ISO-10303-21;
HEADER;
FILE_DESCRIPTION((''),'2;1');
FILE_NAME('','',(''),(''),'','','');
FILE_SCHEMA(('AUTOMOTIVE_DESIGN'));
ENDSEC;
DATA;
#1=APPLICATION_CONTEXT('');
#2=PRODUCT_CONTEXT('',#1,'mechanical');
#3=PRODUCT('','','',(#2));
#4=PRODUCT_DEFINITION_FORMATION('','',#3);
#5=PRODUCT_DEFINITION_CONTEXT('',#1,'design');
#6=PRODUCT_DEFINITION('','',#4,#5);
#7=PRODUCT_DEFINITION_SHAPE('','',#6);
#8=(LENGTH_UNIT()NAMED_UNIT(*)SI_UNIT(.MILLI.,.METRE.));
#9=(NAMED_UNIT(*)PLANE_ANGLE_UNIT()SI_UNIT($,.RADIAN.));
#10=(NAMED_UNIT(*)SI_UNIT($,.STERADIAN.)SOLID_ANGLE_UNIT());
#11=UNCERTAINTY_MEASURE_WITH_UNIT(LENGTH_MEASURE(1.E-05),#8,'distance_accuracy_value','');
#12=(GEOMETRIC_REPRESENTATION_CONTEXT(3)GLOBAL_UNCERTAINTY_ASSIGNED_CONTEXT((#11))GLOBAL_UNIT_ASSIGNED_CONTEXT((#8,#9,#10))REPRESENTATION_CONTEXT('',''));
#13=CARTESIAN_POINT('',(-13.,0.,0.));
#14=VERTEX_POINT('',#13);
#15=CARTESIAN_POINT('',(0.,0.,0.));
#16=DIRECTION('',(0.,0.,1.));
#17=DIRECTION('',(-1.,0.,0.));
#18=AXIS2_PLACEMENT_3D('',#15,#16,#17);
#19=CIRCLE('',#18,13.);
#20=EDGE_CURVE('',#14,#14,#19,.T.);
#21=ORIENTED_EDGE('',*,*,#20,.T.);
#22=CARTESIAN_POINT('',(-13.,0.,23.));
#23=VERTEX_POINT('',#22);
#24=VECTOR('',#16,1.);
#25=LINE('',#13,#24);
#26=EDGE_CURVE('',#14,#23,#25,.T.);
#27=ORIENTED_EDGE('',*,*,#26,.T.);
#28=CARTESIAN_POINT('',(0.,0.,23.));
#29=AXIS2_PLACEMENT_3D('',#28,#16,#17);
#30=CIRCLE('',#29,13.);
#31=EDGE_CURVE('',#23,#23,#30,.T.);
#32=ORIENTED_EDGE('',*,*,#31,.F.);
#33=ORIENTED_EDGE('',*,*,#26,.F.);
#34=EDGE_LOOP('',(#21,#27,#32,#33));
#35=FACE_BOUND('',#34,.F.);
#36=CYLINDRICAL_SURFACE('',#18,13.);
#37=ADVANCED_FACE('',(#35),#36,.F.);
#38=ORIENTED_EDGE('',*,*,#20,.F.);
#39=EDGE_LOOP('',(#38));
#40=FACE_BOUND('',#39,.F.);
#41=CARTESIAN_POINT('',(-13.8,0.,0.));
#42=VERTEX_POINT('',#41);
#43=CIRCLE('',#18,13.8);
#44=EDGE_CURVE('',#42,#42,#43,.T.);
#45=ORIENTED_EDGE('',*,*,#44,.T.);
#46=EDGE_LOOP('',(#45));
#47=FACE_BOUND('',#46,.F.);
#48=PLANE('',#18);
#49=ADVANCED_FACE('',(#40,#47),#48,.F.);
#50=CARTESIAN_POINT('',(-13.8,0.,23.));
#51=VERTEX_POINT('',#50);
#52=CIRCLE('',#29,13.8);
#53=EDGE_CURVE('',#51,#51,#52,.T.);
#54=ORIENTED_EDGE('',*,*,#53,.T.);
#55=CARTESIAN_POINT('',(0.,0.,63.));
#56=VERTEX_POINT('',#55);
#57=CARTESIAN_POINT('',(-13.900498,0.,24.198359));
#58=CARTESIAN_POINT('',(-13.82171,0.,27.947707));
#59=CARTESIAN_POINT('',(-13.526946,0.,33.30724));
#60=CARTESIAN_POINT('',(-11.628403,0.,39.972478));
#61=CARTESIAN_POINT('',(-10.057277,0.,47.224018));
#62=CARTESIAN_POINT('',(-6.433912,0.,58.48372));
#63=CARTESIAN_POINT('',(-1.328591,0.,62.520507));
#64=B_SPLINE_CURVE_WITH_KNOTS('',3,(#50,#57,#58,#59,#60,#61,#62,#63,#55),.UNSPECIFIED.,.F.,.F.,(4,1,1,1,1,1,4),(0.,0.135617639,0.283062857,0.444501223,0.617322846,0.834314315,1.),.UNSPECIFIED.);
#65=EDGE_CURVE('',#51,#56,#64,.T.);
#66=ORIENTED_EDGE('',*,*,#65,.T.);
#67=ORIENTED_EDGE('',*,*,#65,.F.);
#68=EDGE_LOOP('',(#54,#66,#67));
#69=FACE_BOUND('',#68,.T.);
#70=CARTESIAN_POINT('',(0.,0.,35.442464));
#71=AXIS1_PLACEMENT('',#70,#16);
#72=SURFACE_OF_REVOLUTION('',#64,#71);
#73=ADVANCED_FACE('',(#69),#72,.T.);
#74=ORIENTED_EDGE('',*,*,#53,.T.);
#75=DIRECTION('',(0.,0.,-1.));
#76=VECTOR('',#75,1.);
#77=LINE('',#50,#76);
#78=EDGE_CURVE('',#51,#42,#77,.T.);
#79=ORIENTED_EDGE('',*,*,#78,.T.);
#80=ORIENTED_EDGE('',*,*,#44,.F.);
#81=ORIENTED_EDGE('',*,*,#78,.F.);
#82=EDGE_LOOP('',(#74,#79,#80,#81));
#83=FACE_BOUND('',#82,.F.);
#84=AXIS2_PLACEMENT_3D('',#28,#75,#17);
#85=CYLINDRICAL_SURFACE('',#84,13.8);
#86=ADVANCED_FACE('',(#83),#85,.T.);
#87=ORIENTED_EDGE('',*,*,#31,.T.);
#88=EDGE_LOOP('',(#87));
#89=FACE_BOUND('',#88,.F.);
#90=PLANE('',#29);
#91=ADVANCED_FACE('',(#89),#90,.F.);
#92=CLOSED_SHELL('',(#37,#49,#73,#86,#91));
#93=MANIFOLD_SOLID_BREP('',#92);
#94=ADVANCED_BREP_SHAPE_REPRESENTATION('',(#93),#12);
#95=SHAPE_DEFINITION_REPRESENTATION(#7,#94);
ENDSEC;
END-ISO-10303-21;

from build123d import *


with BuildPart() as f1:
    # F0 (on Front) → F1 (revolve)
    with BuildSketch(Plane.XZ):
        with BuildLine():
            Line((-13.8, 0), (-13, 0))
            Line((-13, 0), (-13, 23))
            Line((-13, 23), (0, 23))
            Line((0, 23), (0, 63))
            add(Edge.make_bspline(
                [(-13.8, 23), (-13.9004981842, 24.1983588353), (-13.8217098957, 27.9477065334), (-13.5269462558, 33.3072397231), (-11.6284027971, 39.972477662), (-10.0572768143, 47.2240184222), (-6.4339116135, 58.4837195711), (-1.3285912505, 62.5205067822), (0, 63)],
                knots=[0, 0, 0, 0, 0.1356176393, 0.2830628574, 0.4445012229, 0.6173228463, 0.8343143151, 1, 1, 1, 1], degree=3))
            Line((-13.8, 23), (-13.8, 0))
        make_face()
    revolve(axis=Axis((0, 0, 35.4424640536), (0, 0, 1)))


solid = f1.part
